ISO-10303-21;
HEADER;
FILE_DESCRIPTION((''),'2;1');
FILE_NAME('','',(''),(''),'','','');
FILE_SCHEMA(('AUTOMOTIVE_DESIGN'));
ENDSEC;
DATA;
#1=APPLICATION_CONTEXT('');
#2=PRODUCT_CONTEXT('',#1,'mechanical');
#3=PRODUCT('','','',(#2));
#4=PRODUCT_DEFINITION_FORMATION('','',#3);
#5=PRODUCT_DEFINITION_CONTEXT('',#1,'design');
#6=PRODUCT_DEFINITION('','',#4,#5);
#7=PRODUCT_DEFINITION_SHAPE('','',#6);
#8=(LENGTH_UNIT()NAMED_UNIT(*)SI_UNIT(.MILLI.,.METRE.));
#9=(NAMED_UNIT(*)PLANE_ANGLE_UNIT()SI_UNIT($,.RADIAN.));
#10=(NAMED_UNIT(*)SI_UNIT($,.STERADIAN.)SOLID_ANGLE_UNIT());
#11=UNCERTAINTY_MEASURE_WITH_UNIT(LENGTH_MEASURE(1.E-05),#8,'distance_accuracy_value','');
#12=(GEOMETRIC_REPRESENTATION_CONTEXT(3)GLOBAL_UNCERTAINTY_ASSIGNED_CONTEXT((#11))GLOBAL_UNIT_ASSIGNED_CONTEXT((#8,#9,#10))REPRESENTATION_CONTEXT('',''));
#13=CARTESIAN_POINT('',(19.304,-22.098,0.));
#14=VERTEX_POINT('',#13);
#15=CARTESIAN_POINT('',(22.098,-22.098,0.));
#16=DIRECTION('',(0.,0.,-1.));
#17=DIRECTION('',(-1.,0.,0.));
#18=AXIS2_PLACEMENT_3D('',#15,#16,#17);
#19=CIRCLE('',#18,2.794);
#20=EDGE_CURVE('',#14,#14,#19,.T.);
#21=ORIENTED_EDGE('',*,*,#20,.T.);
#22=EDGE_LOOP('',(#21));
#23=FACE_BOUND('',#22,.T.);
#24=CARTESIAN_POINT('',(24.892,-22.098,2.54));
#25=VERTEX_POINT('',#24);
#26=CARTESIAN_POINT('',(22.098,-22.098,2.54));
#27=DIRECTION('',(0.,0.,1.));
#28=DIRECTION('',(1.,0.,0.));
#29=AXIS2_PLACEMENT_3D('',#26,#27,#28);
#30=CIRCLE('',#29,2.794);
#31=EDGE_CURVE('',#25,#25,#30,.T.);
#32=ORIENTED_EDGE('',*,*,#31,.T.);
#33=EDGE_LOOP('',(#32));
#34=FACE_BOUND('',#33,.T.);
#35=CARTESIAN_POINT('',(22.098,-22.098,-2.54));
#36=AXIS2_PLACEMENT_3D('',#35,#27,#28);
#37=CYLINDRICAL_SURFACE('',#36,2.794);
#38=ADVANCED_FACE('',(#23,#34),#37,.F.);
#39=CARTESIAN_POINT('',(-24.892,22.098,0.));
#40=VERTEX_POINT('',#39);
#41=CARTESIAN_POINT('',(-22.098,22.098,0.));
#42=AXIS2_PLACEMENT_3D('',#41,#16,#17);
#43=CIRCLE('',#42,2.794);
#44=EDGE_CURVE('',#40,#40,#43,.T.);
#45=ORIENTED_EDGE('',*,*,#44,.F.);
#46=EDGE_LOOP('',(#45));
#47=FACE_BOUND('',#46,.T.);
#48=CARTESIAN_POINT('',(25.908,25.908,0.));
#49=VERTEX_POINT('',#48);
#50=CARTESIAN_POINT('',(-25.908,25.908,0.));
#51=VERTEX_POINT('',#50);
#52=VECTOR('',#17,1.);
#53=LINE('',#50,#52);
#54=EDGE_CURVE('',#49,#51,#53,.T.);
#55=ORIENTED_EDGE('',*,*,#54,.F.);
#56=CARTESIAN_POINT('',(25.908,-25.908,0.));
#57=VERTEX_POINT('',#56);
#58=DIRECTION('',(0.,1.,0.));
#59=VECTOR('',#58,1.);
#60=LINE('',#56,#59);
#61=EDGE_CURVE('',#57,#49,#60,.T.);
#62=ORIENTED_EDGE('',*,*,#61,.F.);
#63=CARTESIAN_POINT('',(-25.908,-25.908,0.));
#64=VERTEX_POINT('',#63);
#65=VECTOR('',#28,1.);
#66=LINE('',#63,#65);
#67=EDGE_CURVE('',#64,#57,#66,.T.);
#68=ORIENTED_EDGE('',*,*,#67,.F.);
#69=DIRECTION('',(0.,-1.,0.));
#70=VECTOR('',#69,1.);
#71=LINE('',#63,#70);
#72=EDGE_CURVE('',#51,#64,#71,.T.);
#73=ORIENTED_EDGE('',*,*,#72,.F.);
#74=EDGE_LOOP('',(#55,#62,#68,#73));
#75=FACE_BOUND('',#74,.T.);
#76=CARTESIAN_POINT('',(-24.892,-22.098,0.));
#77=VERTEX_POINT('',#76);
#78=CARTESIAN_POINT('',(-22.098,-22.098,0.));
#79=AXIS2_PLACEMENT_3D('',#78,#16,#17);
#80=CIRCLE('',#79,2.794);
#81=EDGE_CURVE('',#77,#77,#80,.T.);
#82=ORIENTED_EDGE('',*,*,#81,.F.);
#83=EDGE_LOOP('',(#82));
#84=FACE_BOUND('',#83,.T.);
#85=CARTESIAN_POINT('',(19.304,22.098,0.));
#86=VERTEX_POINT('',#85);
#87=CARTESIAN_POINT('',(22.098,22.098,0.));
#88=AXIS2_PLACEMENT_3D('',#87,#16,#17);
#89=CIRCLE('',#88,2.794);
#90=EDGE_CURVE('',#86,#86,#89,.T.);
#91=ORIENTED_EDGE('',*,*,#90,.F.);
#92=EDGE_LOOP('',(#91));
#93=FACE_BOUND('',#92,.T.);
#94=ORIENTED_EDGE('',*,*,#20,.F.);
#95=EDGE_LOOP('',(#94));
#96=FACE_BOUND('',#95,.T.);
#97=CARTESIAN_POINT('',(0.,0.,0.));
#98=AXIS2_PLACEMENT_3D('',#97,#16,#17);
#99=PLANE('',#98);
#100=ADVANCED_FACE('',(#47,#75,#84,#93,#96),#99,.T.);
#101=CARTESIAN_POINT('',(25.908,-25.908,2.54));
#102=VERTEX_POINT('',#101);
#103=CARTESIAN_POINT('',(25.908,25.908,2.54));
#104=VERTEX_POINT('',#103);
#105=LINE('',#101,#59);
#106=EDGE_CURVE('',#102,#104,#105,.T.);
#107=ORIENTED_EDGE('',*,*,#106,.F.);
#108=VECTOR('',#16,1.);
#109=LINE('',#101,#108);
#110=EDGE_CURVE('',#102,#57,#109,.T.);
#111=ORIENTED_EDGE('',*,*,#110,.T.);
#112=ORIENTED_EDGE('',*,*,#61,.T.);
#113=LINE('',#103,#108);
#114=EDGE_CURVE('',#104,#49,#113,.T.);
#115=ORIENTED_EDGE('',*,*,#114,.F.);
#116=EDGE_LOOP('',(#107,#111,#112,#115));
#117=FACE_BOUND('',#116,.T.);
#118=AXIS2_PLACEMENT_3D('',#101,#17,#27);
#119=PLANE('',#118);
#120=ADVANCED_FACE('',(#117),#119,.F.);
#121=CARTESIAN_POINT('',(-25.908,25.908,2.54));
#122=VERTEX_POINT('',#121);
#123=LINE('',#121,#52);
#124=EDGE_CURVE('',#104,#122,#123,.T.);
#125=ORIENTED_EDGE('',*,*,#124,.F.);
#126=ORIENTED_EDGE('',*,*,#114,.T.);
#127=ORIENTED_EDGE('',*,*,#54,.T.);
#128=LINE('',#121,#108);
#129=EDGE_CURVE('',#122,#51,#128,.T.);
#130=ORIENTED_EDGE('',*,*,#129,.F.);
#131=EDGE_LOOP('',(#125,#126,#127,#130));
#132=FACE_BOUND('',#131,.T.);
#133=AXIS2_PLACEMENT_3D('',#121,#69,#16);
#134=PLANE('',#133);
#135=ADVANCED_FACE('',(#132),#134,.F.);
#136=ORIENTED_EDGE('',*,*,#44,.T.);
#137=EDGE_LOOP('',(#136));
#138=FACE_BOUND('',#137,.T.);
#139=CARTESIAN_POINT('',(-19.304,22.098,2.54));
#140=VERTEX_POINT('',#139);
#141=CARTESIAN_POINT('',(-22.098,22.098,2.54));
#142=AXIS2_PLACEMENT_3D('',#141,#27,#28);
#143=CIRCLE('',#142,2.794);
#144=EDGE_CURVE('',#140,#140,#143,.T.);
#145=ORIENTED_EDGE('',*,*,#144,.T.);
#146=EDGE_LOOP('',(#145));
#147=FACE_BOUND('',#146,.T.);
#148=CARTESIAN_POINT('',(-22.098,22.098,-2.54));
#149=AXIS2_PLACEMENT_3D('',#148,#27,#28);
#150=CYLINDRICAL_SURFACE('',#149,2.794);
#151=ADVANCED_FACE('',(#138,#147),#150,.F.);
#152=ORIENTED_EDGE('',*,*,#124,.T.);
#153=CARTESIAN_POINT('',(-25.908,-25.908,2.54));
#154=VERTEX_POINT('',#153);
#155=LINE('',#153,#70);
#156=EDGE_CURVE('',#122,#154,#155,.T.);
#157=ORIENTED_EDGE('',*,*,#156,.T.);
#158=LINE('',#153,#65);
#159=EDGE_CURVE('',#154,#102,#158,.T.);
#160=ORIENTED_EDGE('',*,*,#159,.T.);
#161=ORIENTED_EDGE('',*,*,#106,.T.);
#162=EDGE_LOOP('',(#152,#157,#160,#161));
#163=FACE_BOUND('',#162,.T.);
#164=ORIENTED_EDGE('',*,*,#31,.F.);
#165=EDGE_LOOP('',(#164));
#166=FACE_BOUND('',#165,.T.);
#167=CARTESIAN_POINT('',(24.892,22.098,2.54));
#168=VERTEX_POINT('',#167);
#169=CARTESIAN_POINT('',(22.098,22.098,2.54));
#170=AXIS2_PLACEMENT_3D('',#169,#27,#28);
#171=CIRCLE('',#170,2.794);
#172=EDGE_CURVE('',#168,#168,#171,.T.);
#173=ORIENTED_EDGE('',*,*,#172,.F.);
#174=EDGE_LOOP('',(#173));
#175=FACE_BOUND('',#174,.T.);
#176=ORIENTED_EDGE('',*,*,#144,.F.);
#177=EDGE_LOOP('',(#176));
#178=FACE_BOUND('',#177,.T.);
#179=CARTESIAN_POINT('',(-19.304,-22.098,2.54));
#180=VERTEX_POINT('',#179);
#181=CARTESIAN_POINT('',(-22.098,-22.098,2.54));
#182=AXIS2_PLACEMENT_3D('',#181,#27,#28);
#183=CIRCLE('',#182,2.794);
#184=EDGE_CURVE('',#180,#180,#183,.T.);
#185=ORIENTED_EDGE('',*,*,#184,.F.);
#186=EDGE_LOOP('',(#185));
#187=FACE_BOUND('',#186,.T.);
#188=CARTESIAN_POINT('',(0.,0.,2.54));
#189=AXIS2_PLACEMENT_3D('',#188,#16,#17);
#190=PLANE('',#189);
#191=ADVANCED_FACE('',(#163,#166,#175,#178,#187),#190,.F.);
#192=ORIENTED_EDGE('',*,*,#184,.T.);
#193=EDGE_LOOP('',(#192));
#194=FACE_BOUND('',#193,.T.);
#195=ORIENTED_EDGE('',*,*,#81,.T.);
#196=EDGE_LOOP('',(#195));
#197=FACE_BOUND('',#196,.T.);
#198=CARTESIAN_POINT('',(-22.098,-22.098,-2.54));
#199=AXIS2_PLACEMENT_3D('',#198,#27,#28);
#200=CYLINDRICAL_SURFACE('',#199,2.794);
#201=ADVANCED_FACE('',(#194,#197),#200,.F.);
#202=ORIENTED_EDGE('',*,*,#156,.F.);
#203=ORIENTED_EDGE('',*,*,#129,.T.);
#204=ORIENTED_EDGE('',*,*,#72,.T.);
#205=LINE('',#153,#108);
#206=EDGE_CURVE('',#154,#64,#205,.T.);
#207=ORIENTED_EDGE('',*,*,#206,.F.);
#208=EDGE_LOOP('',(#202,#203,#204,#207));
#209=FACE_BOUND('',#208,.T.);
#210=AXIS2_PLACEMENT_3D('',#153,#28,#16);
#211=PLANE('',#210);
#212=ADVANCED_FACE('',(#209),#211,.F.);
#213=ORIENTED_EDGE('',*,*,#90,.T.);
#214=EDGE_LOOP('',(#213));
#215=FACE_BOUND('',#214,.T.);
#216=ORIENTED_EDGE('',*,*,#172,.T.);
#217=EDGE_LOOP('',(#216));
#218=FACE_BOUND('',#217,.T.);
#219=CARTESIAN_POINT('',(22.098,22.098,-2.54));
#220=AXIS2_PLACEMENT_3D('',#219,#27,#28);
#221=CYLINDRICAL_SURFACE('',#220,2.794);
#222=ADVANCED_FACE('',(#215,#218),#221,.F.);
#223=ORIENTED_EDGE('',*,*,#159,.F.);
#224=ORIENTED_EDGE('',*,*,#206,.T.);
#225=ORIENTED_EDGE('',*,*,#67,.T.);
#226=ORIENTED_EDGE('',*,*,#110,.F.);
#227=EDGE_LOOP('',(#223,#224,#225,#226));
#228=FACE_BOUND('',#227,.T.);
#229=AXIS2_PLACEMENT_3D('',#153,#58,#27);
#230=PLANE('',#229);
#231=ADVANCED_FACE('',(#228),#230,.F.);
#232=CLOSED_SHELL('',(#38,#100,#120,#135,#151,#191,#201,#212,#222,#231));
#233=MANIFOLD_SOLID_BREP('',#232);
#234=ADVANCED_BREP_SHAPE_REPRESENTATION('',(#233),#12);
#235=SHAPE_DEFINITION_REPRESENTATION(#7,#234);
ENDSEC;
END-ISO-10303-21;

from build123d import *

# Parameters (mm, degrees)
SKETCH1_W           = 51.816
SKETCH1_H           = 51.816
BOSS_EXTRUDE1_DEPTH = 2.54
SKETCH2_R           = 2.794
CUT_EXTRUDE1_DEPTH  = 5.08


with BuildPart() as part:
    # Sketch1 → Boss-Extrude1 (new body)
    with BuildSketch(Plane.XY):
        Rectangle(SKETCH1_W, SKETCH1_H)
    extrude(amount=BOSS_EXTRUDE1_DEPTH)

    # Sketch2 → Cut-Extrude1 (cut)
    with BuildSketch(Plane.XY.offset(2.54)):
        with Locations((22.098, 22.098)):
            Circle(SKETCH2_R)
        with Locations((22.098, -22.098)):
            Circle(SKETCH2_R)
        with Locations((-22.098, 22.098)):
            Circle(SKETCH2_R)
        with Locations((-22.098, -22.098)):
            Circle(SKETCH2_R)
    extrude(amount=-CUT_EXTRUDE1_DEPTH, mode=Mode.SUBTRACT)


solid = part.part
